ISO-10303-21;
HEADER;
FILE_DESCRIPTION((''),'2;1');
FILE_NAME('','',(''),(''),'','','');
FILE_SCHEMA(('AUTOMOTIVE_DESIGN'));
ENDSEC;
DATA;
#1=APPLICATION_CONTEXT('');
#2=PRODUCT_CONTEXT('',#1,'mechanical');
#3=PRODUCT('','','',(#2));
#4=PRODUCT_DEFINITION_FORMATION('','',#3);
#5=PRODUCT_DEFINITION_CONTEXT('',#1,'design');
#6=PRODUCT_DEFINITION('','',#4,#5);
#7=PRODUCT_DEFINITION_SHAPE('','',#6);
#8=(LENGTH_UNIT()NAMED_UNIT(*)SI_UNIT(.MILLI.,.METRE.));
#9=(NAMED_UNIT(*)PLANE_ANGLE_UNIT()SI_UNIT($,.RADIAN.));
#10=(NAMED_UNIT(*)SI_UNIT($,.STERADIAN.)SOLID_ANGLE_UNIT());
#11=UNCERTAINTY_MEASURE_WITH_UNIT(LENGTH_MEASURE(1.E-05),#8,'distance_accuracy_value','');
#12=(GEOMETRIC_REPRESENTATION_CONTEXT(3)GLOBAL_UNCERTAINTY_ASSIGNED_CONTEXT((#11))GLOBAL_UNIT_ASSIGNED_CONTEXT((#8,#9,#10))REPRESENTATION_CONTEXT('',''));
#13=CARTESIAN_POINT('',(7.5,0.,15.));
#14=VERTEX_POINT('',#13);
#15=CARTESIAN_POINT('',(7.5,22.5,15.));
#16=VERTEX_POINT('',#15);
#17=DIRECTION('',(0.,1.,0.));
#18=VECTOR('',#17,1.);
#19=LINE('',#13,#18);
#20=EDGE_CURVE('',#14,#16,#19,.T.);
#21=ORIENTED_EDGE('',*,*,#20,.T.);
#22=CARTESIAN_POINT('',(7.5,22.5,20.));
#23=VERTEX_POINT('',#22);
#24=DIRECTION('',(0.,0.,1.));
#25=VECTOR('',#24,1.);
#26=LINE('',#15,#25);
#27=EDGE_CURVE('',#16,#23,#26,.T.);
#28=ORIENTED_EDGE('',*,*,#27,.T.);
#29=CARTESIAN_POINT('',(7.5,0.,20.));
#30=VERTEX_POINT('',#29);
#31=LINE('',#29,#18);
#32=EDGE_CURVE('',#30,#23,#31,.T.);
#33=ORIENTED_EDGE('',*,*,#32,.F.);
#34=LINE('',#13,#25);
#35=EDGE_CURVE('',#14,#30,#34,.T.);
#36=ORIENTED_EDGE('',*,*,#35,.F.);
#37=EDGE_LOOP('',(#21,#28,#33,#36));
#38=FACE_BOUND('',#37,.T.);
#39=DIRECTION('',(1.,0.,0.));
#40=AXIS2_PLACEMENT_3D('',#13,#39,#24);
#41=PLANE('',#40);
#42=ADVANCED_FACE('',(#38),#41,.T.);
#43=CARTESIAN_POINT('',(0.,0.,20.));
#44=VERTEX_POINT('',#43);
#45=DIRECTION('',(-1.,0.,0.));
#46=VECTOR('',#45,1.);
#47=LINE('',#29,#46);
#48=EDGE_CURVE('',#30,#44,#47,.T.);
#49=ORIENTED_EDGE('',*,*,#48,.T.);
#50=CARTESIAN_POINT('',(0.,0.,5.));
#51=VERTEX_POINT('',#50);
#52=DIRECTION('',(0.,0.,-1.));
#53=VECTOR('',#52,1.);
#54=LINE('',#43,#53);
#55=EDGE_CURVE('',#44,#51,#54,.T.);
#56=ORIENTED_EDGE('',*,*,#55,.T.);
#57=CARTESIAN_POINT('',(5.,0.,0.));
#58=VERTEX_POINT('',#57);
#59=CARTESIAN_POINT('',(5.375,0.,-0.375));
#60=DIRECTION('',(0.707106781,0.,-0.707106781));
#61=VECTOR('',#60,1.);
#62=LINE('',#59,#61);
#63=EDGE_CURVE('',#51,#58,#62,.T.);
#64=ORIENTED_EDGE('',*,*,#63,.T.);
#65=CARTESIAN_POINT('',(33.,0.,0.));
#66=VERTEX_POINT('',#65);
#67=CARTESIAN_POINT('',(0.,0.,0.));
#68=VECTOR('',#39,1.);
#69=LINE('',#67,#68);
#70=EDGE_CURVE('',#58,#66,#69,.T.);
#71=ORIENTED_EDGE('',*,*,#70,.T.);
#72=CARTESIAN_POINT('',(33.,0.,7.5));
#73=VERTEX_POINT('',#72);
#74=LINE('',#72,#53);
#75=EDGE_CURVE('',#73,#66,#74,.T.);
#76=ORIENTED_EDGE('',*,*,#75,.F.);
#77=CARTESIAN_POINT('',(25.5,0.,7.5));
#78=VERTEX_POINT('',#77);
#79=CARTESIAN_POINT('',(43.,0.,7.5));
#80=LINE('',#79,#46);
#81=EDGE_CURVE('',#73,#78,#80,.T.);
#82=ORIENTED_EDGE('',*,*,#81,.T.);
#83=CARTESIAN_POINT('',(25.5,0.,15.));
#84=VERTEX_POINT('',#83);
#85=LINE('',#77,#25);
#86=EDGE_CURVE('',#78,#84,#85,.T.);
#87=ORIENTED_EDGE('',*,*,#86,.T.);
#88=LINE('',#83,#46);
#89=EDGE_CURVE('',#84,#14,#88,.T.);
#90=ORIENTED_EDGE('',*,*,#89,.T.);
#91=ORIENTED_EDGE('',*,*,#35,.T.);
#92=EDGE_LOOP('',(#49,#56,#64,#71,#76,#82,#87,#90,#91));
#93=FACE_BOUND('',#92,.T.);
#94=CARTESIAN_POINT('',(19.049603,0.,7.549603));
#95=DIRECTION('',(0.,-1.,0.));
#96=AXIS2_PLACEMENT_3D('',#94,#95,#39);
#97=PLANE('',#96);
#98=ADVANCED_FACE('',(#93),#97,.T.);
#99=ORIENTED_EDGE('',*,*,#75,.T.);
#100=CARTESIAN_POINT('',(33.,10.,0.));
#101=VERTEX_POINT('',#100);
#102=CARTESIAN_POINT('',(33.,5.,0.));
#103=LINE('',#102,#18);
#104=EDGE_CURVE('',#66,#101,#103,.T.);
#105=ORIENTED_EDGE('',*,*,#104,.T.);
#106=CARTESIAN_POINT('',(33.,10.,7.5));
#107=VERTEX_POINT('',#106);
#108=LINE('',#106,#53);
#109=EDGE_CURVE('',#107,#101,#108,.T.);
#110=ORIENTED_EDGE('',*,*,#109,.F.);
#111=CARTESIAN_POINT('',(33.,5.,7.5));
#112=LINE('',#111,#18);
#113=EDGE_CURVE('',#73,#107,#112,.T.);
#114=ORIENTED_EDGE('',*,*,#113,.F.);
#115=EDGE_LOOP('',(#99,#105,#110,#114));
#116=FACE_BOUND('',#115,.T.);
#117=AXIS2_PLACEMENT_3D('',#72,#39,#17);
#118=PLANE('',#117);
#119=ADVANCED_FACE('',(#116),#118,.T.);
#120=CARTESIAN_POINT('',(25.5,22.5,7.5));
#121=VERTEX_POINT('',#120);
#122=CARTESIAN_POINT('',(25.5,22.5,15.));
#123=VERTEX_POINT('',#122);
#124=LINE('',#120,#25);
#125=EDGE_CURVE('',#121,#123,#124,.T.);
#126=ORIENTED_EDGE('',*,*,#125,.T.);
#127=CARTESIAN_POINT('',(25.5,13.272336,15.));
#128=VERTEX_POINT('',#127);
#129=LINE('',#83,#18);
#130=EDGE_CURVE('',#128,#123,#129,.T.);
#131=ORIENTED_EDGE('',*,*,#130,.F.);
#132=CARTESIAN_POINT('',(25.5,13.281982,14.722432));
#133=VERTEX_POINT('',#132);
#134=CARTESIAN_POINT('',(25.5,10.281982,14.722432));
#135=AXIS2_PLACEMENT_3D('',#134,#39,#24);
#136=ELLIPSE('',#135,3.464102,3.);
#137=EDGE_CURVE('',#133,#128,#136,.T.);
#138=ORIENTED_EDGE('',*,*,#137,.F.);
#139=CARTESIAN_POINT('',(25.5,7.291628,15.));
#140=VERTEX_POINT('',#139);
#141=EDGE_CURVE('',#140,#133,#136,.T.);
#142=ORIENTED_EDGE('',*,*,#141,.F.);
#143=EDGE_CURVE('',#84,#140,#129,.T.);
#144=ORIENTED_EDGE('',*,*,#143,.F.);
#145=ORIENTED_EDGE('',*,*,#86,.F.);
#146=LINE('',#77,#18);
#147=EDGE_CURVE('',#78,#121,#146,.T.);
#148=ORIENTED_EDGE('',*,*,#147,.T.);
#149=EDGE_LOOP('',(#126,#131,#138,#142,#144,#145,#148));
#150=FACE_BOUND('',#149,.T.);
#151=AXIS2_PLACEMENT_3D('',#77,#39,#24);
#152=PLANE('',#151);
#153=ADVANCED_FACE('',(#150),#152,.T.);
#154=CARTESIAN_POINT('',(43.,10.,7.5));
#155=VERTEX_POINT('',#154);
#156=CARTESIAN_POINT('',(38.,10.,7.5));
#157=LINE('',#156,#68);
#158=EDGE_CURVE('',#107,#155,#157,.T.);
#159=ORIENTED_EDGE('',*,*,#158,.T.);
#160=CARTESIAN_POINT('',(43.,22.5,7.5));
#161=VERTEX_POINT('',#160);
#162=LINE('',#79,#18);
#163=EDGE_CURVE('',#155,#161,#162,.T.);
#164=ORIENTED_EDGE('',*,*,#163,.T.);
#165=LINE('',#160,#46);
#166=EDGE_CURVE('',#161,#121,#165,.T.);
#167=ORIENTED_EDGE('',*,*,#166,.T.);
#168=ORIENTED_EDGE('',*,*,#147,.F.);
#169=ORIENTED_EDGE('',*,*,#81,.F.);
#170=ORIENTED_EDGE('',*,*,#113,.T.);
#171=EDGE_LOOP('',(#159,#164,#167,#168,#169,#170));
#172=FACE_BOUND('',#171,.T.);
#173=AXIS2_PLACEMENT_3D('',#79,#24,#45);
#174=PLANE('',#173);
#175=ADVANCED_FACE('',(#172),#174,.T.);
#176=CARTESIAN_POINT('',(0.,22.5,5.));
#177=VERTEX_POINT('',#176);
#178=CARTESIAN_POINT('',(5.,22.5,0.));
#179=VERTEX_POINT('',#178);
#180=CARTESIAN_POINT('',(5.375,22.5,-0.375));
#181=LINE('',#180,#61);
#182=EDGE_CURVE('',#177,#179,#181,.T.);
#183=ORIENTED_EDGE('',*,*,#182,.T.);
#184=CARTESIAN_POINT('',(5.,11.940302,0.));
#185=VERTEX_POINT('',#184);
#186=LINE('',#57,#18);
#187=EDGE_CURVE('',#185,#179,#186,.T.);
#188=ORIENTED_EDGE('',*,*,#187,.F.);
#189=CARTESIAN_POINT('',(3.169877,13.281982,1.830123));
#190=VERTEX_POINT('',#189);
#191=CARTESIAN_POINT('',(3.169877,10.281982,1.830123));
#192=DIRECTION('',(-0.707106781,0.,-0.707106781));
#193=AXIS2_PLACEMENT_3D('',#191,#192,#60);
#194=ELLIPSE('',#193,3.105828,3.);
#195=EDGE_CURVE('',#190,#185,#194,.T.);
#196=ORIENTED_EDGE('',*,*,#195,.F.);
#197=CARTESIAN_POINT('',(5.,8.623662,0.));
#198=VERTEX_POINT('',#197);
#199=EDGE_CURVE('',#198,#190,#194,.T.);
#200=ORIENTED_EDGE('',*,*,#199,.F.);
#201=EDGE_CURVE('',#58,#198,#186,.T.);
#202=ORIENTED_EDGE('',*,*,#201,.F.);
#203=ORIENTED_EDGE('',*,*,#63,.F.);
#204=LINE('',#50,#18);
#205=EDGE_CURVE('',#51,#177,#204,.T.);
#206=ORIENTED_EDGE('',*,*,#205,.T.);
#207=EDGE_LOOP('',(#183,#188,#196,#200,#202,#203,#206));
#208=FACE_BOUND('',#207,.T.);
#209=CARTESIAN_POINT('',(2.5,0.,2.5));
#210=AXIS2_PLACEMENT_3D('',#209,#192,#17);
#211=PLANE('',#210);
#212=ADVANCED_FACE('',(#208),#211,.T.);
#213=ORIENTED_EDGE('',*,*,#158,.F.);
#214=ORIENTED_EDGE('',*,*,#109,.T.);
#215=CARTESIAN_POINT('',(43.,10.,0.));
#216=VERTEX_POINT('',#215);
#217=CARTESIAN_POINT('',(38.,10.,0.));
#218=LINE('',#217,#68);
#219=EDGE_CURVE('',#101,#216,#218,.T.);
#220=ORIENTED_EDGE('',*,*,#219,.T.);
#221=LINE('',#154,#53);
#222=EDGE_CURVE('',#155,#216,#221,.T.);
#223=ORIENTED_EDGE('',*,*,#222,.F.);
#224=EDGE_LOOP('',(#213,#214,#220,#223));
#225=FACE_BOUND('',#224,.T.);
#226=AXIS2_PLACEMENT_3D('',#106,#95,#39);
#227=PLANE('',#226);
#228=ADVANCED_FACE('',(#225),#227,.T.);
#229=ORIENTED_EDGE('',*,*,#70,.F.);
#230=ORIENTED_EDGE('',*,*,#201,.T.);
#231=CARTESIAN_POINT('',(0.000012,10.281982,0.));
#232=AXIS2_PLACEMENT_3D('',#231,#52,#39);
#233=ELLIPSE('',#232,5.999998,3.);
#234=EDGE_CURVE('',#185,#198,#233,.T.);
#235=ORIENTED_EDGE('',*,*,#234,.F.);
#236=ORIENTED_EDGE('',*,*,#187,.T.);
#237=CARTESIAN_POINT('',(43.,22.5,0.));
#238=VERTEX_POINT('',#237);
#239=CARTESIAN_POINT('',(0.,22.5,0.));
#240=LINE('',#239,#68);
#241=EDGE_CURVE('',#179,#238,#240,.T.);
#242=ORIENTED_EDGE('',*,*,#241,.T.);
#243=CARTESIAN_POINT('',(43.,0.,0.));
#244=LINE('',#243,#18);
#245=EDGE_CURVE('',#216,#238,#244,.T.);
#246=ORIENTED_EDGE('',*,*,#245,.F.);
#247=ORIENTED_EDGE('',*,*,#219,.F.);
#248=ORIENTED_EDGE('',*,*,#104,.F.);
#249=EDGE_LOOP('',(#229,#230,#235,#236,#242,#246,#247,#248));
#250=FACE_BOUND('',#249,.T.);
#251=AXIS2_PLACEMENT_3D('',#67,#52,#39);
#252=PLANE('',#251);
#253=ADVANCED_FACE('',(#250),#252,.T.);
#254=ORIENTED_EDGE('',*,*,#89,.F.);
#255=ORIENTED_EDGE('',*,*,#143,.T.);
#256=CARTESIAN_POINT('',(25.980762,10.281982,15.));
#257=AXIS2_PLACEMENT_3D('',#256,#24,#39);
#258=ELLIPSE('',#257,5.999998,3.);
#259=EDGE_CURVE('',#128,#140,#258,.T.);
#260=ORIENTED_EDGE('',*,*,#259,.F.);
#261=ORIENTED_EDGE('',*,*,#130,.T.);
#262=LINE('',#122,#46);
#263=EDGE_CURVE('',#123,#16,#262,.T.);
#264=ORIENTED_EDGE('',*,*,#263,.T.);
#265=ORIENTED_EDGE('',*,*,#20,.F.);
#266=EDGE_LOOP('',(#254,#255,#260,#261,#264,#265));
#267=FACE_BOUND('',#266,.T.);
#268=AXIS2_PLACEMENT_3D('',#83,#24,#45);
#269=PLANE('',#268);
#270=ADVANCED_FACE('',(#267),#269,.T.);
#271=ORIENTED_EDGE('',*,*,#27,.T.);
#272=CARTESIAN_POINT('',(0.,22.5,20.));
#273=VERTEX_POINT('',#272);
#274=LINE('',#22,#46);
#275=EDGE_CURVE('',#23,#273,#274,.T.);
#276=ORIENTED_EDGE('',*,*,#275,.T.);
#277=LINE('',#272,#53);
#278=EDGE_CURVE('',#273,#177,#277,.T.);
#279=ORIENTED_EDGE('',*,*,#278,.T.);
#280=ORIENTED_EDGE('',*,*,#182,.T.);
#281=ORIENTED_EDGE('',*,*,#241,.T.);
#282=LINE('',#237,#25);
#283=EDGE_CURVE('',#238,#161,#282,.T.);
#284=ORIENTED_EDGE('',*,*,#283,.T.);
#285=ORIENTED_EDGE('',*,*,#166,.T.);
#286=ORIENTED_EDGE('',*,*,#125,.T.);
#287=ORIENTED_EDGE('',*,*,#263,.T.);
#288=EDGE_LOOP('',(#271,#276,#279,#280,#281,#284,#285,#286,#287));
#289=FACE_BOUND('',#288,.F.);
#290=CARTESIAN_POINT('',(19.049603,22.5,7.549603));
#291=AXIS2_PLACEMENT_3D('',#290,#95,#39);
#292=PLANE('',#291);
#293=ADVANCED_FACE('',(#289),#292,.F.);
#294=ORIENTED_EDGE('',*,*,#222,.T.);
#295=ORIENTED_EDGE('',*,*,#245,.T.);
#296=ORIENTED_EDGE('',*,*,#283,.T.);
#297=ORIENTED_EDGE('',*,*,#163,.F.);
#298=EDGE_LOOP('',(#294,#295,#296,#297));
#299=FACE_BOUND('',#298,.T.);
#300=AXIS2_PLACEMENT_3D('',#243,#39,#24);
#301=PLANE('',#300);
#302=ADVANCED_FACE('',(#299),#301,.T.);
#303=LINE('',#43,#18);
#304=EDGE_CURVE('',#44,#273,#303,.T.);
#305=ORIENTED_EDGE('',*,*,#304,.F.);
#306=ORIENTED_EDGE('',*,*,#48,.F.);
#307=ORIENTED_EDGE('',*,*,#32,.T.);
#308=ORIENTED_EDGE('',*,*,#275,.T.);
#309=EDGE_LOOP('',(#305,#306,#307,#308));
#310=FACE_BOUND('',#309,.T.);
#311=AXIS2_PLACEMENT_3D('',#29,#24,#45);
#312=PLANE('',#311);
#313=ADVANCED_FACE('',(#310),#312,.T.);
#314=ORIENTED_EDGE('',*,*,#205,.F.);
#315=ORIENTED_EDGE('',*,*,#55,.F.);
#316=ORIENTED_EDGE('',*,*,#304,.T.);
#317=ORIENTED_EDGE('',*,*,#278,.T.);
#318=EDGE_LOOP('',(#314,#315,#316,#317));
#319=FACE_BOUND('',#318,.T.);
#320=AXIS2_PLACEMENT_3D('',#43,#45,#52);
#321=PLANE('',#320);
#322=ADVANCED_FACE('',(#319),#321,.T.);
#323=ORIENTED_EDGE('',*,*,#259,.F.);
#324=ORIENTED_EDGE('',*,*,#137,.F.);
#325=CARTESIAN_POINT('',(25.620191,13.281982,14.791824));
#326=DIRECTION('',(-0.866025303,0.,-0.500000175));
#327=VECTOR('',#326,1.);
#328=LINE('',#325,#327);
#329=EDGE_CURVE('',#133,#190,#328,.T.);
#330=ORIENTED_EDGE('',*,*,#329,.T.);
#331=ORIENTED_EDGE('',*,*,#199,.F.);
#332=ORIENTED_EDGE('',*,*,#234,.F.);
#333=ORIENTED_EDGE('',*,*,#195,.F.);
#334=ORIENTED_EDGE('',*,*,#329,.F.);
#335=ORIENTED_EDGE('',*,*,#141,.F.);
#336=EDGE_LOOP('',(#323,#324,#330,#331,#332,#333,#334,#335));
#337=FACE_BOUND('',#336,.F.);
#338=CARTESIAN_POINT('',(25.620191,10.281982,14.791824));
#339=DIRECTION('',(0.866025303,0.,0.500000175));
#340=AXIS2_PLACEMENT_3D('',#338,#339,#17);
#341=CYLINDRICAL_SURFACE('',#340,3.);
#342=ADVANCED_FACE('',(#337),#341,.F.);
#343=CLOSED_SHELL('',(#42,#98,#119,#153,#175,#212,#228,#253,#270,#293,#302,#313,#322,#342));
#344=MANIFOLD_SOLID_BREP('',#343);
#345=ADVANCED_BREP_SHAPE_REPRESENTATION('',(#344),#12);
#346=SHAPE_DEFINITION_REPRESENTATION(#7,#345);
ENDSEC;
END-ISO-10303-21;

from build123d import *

# Parameters (mm, degrees)
F1_DEPTH = 22.5
F2_W     = 10
F2_H     = 10
F3_DEPTH = 7.5
F4_SIZE  = 5
F6_R     = 3
F7_DEPTH = 29.584648


with BuildPart() as f1:
    # F0 (on Front) → F1 (new body)
    with BuildSketch(Plane.XZ):
        Polygon((0, 20), (0, 0), (43, 0), (43, 7.5), (25.5, 7.5), (25.5, 15), (7.5, 15), (7.5, 20), align=None)
    extrude(amount=-F1_DEPTH)

    # F2 (on face) → F3 (cut, through all)
    with BuildSketch(Plane.XY.offset(7.5)):
        with Locations((38, 5)):
            Rectangle(F2_W, F2_H)
    extrude(amount=-F3_DEPTH, mode=Mode.SUBTRACT)

    # F4
    f4_edges = [f1.edges().sort_by_distance(p)[0] for p in [
        (0, 11.25, 0),
    ]]
    chamfer(f4_edges, length=F4_SIZE)

    # F6 (on face) → F7 (cut, through all)
    with BuildSketch(Plane(origin=(25.620191, 0, 14.791824), x_dir=(0, 1, 0), z_dir=(0.866025, 0, 0.5))):
        with Locations((10.281982, 0)):
            Circle(F6_R)
    extrude(amount=-F7_DEPTH, mode=Mode.SUBTRACT)


solid = f1.part
